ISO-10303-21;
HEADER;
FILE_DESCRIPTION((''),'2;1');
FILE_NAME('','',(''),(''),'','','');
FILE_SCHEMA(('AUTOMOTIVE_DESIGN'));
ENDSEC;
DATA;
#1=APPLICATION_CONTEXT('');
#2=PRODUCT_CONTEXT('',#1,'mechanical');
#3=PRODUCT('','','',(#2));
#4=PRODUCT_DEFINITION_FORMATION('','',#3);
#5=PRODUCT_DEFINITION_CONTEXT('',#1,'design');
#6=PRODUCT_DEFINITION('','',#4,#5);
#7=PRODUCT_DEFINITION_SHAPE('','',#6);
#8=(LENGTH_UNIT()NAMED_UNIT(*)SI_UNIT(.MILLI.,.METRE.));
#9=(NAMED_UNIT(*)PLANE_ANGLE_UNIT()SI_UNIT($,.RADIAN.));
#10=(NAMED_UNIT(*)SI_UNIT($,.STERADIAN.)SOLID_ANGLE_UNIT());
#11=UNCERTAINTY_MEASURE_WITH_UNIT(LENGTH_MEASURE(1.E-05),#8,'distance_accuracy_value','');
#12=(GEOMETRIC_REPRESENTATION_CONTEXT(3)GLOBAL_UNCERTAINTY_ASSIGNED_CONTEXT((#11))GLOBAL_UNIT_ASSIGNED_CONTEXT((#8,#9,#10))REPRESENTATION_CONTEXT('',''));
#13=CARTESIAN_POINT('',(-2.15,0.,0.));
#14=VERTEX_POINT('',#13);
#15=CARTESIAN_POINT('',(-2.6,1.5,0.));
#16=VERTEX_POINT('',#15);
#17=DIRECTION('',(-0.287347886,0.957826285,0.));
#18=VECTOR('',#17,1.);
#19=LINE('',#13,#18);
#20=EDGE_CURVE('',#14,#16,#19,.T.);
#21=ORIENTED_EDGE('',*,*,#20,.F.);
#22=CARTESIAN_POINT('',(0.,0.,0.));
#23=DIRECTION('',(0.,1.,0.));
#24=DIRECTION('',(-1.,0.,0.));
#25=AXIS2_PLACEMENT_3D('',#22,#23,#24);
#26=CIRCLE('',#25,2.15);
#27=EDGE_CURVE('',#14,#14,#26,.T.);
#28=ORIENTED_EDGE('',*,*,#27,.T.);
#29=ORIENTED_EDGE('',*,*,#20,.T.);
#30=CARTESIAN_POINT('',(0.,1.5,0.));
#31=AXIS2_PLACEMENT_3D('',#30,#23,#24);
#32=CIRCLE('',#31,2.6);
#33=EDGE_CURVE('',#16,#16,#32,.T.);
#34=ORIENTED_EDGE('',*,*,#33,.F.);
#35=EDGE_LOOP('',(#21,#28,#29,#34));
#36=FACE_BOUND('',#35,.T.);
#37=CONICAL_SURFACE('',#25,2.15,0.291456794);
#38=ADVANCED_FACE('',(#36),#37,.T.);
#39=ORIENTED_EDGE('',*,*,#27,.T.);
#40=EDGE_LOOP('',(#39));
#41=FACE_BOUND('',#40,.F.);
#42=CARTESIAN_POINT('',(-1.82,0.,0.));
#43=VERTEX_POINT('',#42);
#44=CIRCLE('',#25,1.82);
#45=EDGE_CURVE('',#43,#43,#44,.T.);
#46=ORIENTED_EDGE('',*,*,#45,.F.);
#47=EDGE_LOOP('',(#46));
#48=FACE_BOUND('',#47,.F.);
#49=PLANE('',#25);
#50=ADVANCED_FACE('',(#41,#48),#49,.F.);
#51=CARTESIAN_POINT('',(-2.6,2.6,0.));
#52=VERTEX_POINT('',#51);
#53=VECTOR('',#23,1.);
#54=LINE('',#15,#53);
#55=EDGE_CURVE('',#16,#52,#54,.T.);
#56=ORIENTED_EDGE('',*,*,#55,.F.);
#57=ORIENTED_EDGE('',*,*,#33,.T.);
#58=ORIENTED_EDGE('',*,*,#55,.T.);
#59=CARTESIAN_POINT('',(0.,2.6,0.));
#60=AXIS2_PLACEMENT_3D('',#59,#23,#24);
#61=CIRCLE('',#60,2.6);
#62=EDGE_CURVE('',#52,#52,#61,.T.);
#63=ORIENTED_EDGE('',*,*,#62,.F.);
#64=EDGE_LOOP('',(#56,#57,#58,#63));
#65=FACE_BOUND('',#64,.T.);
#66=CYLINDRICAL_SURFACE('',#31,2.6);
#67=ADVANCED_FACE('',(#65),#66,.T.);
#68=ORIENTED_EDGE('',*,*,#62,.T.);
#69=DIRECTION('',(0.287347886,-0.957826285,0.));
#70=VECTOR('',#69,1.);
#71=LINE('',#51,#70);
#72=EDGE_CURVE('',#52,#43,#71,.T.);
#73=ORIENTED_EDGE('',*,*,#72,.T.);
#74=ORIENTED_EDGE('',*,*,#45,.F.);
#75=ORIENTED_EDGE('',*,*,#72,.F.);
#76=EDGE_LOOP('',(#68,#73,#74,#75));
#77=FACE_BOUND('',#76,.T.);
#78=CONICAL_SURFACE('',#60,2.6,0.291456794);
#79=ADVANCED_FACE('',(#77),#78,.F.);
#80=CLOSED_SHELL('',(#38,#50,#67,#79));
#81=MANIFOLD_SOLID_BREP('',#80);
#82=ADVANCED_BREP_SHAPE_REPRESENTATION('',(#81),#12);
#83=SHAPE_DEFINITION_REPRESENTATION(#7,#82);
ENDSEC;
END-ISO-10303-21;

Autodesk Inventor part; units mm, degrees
ref_plane "YZ Plane" through (0, 0, 0) normal (1, 0, 0) x (0, 1, 0)
ref_plane "XZ Plane" through (0, 0, 0) normal (0, 1, 0) x (-1, 0, 0)
ref_plane "XY Plane" through (0, 0, 0) normal (0, 0, 1) x (1, 0, 0)
sketch "Sketch1" plane through (0, 0, 0) normal (0, 0, 1) x (1, 0, 0)
  line L0 (0, -0.52) -> (0, 3.12) projected
  line L1 (-2.15, 0) -> (-2.6, 1.5)
  line L2 (-2.6, 1.5) -> (-2.6, 2.6)
  line L3 (-2.6, 2.6) -> (-1.82, 0)
  line L4 (-2.15, 0) -> (-1.82, 0)
  point P0 (0, 0)
  dimension "d15" = 2.6
  dimension "d16" = 2.15
  dimension "d17" = 2.6
  dimension "d18" = 1.1
  dimension "d19" = 16.699
revolve "Revolution1" add sketch "Sketch1" angle 360 about axis through (0, -10, 0) along (0, 1, 0)
properties part number "conic_reflector_5"
